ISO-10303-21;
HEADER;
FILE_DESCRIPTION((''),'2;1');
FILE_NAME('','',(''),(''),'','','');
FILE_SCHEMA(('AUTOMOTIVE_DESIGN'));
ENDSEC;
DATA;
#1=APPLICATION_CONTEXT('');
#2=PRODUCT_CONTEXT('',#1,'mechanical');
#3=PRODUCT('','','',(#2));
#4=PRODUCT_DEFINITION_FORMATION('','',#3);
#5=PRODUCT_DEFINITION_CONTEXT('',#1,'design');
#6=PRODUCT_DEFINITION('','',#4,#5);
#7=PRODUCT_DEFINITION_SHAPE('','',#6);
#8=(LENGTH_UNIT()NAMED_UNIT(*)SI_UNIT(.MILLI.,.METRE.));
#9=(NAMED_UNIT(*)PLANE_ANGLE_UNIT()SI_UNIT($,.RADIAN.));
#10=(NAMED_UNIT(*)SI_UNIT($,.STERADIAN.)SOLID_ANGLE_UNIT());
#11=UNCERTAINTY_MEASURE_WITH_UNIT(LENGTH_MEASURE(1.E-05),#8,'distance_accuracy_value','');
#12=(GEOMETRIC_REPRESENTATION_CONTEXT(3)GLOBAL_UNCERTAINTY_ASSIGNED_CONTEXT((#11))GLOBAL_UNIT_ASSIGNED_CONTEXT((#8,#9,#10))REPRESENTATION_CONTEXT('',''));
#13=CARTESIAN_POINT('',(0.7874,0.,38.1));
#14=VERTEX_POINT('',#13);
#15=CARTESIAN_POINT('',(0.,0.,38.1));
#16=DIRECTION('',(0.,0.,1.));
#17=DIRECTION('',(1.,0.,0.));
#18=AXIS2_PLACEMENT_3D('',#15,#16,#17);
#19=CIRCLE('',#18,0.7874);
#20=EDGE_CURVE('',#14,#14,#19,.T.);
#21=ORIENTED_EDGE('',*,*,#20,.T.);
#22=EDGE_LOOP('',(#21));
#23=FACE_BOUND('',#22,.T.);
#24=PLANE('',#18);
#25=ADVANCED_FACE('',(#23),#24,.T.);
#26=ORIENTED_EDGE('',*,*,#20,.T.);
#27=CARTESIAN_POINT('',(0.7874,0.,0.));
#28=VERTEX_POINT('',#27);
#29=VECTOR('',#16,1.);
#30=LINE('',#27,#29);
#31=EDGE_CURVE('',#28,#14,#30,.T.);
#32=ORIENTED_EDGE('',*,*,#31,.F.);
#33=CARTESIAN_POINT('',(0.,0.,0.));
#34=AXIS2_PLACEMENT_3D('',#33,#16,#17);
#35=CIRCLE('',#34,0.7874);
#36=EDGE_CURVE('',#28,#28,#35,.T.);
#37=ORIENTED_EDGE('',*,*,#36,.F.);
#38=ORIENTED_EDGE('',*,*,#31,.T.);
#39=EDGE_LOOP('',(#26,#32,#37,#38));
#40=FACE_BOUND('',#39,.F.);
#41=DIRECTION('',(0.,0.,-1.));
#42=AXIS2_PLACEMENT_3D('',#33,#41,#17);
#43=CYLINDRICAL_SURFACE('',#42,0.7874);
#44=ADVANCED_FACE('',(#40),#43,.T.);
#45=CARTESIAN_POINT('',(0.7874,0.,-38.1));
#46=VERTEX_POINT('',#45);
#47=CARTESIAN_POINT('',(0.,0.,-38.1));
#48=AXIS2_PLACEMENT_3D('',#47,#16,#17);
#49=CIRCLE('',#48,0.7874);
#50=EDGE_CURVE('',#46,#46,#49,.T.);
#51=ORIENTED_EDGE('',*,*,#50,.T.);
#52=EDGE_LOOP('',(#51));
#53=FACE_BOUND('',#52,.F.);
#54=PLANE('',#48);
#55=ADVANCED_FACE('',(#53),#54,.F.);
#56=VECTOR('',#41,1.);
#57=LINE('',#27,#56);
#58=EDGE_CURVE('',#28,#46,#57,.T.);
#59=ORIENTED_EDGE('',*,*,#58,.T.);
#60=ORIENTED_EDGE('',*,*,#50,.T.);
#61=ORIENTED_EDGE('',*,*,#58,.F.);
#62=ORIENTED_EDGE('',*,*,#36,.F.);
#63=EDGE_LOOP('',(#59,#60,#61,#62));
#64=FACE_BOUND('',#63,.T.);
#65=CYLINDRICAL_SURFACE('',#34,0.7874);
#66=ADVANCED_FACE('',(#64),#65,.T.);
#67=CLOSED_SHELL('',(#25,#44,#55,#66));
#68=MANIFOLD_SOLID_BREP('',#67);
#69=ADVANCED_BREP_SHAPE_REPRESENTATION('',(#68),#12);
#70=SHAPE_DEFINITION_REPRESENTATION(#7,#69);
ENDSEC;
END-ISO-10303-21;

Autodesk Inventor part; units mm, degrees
ref_plane "YZ Plane" through (0, 0, 0) normal (1, 0, 0) x (0, 1, 0)
ref_plane "XZ Plane" through (0, 0, 0) normal (0, 1, 0) x (-1, 0, 0)
ref_plane "XY Plane" through (0, 0, 0) normal (0, 0, 1) x (1, 0, 0)
sketch "Sketch1" plane through (0, 0, 0) normal (0, 0, 1) x (1, 0, 0)
  circle A0 centre (0, 0) radius 0.7874
  dimension "d0" = 1.5748
  dimension "d0" = 1.5748
extrude "Extrusion1" add sketch "Sketch1" along normal mid plane 76.2
properties part number "hysteresis_rod" material "Permalloy 80"
